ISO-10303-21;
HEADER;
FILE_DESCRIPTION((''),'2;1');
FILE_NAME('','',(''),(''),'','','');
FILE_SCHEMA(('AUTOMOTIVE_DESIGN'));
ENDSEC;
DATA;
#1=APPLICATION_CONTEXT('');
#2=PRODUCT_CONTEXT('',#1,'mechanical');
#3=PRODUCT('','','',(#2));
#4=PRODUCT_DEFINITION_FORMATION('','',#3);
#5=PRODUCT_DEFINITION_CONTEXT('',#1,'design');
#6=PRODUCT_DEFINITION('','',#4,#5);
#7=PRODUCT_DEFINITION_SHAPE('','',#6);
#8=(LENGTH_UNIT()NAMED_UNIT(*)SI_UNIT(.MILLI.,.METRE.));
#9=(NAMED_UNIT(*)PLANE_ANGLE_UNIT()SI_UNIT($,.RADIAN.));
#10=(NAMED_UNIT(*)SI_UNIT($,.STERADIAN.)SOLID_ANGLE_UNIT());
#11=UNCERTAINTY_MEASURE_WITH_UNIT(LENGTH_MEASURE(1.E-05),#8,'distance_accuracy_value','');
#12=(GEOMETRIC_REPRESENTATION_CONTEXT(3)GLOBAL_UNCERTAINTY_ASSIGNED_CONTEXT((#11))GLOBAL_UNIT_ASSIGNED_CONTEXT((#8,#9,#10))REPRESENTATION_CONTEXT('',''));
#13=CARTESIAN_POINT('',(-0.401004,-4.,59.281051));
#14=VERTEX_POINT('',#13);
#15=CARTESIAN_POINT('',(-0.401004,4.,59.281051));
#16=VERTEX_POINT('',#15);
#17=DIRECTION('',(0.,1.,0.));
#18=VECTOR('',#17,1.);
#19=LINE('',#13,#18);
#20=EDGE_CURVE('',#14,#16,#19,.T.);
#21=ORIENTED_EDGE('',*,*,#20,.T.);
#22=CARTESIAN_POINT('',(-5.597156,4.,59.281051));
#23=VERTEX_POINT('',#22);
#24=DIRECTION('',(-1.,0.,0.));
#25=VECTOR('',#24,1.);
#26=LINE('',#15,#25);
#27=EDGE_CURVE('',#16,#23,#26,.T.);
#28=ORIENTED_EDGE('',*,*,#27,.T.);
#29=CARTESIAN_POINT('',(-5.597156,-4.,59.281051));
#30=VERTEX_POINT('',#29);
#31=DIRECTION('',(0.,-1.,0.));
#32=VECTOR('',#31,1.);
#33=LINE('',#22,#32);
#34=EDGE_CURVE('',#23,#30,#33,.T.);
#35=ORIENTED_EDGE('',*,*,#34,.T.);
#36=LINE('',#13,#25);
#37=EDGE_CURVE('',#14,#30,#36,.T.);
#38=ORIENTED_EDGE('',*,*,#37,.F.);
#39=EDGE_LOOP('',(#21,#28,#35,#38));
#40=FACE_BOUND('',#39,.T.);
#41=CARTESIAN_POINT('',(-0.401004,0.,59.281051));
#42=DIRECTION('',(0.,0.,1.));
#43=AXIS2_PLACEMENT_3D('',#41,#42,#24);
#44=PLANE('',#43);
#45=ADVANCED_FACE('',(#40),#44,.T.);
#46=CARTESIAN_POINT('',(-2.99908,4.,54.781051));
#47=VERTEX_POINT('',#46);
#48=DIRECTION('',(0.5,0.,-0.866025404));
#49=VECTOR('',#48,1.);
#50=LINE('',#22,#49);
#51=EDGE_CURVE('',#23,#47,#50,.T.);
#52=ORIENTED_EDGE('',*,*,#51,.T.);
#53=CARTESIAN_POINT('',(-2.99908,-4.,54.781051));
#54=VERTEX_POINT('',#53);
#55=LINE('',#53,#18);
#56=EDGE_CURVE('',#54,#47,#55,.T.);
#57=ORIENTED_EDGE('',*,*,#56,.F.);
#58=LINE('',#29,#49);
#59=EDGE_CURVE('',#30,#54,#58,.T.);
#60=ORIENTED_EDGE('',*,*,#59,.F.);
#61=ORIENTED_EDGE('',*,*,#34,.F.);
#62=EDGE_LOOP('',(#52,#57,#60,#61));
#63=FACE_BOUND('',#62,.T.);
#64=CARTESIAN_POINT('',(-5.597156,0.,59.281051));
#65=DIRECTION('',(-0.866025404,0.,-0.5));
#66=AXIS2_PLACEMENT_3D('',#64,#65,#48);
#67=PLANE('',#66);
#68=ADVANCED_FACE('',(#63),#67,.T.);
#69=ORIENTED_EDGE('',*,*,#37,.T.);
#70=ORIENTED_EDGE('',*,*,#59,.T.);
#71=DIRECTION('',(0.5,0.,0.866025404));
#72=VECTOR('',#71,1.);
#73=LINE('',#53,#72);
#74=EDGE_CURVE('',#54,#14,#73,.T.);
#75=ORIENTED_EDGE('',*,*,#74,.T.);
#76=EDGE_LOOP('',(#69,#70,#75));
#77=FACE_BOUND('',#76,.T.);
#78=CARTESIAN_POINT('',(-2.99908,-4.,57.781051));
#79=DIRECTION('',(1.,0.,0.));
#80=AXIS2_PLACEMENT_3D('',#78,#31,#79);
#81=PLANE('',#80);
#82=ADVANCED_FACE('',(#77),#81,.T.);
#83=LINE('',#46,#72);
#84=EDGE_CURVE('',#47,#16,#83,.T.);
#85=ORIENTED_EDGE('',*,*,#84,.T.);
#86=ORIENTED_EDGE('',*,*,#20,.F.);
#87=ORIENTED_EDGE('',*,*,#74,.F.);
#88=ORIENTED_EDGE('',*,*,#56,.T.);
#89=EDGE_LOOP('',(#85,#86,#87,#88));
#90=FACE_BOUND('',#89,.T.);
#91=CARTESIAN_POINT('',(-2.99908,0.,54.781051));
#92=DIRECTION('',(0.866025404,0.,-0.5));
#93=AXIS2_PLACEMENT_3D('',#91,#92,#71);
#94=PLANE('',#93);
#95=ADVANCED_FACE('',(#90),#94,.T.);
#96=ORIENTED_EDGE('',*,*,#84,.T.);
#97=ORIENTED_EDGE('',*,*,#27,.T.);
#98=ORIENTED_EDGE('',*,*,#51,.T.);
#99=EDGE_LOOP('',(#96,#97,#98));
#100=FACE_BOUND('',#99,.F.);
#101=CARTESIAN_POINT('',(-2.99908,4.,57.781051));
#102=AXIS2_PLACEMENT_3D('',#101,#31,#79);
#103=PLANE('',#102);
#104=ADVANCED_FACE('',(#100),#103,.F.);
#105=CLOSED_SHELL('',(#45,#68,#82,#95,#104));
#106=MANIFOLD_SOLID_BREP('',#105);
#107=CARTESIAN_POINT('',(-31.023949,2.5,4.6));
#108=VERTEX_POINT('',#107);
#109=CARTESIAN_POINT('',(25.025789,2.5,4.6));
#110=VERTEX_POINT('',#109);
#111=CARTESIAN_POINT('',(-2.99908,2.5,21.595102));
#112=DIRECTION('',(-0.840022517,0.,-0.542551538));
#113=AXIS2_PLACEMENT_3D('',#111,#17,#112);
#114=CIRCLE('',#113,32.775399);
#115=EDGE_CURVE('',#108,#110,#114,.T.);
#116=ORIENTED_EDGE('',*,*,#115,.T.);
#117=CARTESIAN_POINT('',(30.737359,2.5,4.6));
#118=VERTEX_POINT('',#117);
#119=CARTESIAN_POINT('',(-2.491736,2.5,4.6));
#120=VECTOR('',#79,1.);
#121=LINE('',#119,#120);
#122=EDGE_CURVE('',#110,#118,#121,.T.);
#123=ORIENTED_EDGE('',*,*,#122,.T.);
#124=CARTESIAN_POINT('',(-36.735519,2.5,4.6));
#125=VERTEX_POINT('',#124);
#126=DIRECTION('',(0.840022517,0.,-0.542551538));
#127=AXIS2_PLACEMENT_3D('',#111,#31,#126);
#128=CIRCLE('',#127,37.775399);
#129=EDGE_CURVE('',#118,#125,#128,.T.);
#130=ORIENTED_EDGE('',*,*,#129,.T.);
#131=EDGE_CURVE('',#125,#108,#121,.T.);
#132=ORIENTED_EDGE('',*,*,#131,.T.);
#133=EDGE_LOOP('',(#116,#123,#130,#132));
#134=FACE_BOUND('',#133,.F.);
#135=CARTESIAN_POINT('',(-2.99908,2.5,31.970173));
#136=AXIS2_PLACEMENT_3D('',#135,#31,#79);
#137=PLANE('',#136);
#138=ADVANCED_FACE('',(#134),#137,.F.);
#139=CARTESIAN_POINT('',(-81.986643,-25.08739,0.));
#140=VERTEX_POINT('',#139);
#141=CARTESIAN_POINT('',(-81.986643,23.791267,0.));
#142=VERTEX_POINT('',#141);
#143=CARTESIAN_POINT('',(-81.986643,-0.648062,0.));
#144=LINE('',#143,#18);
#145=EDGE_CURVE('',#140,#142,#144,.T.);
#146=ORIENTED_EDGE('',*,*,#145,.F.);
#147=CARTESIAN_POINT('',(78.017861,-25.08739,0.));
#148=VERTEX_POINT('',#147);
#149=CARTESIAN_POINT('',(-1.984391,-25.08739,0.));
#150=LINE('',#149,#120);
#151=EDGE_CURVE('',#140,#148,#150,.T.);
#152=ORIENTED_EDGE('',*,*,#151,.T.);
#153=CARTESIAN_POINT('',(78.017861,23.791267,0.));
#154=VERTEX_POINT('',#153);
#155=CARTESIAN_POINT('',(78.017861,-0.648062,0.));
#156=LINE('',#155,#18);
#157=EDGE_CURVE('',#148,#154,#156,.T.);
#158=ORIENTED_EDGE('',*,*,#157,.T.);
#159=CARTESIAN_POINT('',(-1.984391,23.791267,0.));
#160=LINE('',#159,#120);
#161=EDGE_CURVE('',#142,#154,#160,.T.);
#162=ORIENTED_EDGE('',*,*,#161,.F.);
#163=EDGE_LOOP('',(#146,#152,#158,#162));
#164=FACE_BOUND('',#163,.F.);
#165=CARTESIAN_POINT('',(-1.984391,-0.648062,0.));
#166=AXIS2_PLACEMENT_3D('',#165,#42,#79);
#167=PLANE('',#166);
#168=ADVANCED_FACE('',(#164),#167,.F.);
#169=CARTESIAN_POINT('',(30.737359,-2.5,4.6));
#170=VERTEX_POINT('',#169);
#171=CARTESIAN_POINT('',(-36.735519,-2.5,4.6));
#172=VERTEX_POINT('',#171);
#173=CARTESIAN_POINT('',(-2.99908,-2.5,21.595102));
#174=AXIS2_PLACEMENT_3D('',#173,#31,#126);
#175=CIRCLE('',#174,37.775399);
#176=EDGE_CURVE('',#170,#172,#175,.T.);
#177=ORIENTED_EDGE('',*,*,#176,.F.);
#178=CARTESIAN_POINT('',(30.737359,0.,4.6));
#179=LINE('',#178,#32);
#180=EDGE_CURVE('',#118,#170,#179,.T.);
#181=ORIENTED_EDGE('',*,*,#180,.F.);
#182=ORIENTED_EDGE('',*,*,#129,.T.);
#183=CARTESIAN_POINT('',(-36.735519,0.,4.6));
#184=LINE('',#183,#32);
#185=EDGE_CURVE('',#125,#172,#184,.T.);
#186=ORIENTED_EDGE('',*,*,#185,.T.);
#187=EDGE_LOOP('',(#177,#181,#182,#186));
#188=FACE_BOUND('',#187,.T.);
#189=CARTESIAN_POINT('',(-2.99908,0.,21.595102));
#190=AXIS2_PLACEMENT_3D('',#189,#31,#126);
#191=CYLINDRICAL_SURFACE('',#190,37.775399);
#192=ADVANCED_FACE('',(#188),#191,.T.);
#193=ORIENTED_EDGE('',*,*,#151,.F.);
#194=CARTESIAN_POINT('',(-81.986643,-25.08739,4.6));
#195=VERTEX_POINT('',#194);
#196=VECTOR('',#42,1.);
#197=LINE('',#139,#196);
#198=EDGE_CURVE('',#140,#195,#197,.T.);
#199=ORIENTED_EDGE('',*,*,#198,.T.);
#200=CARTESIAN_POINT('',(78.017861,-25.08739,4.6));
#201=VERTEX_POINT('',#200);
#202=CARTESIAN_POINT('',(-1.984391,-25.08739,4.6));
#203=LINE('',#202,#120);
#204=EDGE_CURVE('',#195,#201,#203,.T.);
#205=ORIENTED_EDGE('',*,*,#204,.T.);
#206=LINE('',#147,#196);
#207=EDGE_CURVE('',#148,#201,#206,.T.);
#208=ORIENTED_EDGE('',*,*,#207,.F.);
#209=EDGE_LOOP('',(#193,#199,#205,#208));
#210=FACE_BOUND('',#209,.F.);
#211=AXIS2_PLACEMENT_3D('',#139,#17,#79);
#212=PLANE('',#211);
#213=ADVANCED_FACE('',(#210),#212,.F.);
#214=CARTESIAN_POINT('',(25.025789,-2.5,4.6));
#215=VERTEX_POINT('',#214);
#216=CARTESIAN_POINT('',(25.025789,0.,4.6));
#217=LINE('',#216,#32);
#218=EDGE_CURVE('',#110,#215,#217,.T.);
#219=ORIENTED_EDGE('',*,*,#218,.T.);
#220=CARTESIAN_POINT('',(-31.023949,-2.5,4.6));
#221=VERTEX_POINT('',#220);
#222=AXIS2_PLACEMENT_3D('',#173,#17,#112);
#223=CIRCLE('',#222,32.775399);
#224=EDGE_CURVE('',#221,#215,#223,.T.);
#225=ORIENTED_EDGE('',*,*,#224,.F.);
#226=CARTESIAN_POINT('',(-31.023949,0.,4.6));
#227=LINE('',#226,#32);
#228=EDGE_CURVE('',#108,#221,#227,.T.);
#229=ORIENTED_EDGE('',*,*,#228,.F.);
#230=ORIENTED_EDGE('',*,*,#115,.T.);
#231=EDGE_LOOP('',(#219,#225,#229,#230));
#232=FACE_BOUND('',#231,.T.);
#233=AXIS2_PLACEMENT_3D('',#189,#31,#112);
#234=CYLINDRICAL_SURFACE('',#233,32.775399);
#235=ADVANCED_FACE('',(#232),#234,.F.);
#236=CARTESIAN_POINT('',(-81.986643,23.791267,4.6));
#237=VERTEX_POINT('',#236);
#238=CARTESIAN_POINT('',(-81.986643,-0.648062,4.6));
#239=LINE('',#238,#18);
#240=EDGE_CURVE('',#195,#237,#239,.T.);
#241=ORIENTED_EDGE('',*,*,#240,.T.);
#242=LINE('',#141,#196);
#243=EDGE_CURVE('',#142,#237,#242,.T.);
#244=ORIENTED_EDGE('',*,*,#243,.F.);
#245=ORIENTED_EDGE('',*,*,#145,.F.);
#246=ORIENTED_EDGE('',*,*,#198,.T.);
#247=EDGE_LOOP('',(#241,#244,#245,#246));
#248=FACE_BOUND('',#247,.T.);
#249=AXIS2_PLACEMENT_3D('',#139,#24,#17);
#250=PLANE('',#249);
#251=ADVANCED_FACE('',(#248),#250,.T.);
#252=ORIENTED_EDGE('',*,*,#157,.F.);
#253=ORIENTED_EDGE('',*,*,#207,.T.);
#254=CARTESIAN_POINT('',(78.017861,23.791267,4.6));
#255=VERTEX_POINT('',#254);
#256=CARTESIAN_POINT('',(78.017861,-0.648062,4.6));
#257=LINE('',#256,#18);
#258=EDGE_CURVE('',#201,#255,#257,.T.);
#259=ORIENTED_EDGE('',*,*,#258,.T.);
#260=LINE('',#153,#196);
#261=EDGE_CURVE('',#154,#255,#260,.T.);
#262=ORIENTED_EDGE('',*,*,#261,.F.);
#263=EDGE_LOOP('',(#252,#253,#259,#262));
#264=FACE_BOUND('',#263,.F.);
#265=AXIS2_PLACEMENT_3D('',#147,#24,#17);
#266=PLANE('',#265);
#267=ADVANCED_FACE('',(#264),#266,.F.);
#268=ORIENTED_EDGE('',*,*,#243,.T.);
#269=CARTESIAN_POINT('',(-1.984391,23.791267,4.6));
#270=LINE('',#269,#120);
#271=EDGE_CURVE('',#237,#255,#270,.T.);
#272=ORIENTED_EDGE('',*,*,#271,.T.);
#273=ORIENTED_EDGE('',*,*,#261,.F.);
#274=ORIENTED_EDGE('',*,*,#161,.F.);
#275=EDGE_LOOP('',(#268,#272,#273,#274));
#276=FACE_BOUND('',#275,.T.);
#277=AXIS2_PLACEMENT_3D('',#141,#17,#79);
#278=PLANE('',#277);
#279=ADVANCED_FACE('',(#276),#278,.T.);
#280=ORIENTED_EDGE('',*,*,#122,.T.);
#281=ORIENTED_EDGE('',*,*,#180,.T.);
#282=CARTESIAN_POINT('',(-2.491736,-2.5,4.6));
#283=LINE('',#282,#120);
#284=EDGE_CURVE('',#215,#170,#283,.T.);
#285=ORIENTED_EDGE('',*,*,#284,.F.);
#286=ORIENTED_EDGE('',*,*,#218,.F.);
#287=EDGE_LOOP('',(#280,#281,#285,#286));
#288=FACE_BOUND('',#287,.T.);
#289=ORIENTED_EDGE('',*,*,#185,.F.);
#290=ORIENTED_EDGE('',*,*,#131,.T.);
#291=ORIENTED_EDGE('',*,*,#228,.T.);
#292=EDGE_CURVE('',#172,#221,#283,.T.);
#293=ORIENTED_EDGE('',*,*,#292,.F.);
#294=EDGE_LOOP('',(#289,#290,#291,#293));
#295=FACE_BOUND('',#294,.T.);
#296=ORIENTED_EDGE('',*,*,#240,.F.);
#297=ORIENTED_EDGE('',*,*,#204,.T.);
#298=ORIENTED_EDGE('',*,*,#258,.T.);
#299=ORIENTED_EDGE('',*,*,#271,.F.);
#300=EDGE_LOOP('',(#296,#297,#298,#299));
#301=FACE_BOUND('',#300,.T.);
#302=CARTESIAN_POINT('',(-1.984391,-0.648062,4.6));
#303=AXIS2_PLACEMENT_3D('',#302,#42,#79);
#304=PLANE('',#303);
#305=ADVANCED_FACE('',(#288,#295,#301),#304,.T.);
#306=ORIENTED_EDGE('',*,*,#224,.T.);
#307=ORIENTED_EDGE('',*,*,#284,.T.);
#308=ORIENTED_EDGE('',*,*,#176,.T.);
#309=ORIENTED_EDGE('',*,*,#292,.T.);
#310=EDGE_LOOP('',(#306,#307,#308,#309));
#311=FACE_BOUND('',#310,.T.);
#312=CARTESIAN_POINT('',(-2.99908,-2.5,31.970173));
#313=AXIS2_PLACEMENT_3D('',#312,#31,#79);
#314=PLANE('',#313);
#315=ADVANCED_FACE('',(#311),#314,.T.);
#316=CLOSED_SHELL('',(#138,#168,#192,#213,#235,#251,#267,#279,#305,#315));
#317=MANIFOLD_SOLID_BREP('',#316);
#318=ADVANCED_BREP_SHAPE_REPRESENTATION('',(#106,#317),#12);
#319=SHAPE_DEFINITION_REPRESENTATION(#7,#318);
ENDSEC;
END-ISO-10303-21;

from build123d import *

# Parameters (mm, degrees)
F0_W     = 160.004504025
F0_H     = 48.8786567003
F1_DEPTH = 4.6
F3_DEPTH = 2.5
F5_DEPTH = 4


with BuildPart() as f1:
    # F0 (on Top) → F1 (new body)
    with BuildSketch(Plane.XY):
        with Locations((-1.9843913615, -0.6480617449)):
            Rectangle(F0_W, F0_H)
    extrude(amount=F1_DEPTH)

    # F2 (on Front) → F3 (join, symmetric)
    with BuildSketch(Plane.XZ):
        with BuildLine():
            Line((24.532993235, 3.8127584849), (28.7331058198, 1.1000007967))
            ThreePointArc((28.7331058198, 1.1000007967), (-2.9990799239, 59.3705006022), (-34.7312656677, 1.1000007967))
            Line((-34.7312656677, 1.1000007967), (-30.5311530828, 3.8127584849))
            ThreePointArc((-30.5311530828, 3.8127584849), (-2.9990799239, 54.3705006022), (24.532993235, 3.8127584849))
        make_face()
    extrude(amount=F3_DEPTH, both=True)


with BuildPart() as f5:
    # F4 (on face) → F5 (new body, symmetric)
    with BuildSketch(Plane.XZ.offset(2.5)):
        Polygon((-0.4010040498, 59.2810508121), (-5.5971564725, 59.2810508121), (-2.9990802612, 54.7810508121), align=None)
    extrude(amount=F5_DEPTH, both=True)


with BuildPart() as f5_1:
    # F6: moved
    add(f5.part.moved(Location((0, 2.5, 0))))


solid = Compound([f1.part, f5_1.part])
